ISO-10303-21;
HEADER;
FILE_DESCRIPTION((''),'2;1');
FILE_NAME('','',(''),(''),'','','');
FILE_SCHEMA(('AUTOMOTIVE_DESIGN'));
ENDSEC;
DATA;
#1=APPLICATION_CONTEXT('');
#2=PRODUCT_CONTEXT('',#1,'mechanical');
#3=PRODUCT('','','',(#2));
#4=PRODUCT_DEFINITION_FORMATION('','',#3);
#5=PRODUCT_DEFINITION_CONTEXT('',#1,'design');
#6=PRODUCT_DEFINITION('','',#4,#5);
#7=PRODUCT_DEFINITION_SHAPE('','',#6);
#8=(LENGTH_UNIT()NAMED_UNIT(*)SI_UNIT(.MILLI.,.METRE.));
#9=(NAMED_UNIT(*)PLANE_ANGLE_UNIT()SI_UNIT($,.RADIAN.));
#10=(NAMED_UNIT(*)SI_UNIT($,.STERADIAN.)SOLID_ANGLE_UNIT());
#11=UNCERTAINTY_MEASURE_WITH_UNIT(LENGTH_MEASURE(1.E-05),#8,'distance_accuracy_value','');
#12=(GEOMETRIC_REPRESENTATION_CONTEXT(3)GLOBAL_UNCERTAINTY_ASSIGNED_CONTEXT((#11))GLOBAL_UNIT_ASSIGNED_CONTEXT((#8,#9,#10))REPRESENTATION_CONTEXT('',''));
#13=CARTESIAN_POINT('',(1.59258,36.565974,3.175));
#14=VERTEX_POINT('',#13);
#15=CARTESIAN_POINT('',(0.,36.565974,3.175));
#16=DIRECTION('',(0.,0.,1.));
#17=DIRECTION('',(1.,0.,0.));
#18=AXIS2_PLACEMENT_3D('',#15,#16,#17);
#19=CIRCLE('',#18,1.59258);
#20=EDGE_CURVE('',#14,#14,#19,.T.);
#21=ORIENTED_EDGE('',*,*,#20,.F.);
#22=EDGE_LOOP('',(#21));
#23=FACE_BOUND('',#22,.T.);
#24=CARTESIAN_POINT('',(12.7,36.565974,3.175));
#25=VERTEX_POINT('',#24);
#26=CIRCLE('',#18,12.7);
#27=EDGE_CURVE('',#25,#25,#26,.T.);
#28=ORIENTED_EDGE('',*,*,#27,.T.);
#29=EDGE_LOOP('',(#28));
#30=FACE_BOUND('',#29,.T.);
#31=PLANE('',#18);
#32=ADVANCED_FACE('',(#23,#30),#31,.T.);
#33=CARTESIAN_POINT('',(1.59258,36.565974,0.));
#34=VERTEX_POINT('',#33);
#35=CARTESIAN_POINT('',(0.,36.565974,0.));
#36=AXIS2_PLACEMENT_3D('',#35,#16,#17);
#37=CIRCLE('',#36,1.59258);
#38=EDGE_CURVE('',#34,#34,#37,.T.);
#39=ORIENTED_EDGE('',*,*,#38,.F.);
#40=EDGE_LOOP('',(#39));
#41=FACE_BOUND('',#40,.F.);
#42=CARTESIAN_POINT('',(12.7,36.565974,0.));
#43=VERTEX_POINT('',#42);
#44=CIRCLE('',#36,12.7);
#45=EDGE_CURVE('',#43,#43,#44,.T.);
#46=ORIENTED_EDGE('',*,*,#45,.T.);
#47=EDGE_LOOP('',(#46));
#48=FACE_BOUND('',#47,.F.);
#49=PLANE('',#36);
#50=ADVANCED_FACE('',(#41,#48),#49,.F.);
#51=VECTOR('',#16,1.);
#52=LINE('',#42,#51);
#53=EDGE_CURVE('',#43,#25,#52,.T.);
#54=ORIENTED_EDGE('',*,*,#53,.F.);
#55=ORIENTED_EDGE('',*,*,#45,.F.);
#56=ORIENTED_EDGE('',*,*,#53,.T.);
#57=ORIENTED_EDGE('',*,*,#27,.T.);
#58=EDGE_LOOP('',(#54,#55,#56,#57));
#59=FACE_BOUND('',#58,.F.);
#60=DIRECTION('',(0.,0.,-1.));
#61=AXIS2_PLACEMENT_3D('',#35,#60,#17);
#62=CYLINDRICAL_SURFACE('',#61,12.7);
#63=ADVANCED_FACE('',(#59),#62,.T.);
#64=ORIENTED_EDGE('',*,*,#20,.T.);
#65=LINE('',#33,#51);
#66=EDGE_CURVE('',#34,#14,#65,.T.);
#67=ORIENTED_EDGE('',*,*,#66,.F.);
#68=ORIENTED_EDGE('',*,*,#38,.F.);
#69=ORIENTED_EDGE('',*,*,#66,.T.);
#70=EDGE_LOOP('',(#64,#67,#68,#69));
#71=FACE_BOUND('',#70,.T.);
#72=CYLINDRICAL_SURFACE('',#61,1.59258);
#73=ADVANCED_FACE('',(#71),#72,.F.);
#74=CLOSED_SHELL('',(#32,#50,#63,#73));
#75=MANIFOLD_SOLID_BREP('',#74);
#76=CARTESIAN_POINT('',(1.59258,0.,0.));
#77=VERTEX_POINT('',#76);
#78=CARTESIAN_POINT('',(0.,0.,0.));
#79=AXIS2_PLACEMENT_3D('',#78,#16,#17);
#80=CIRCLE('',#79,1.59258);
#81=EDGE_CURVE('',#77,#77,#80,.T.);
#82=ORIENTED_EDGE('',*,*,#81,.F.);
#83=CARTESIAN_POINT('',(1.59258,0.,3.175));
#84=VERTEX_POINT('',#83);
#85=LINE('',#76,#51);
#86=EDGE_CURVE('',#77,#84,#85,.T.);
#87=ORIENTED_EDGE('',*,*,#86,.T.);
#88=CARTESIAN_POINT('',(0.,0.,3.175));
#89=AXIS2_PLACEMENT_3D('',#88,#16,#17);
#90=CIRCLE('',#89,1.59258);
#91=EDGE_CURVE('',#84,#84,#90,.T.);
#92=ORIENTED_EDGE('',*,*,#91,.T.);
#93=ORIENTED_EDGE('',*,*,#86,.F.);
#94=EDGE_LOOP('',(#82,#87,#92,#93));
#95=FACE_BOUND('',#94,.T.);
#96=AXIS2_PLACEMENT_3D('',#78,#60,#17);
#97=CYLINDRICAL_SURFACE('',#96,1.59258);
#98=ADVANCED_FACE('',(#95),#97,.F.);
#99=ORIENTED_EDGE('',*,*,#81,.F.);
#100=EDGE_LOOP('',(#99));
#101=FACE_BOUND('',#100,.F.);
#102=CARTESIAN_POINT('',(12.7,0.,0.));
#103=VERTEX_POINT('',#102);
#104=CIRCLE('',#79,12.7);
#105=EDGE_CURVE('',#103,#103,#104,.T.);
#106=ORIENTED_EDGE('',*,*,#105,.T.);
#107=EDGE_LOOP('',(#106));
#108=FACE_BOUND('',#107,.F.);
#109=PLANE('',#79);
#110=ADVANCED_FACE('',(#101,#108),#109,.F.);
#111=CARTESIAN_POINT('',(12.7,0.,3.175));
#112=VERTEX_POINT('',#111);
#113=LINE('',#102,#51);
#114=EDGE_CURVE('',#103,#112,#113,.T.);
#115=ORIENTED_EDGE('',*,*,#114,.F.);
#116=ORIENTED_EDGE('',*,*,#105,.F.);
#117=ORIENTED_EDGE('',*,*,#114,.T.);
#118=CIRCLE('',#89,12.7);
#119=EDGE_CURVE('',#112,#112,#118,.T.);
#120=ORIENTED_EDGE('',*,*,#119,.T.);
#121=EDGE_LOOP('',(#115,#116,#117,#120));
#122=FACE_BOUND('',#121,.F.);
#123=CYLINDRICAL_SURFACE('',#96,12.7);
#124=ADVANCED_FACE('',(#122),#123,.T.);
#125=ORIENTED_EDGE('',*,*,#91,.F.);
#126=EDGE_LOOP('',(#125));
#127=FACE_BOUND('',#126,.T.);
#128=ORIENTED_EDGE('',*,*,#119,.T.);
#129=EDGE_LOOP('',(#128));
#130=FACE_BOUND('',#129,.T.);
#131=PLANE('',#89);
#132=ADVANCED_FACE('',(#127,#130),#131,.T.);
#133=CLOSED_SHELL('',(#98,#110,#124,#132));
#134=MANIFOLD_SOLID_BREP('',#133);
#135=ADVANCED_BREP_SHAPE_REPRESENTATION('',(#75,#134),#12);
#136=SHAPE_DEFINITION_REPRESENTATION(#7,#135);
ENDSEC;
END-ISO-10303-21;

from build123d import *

# Parameters (mm, degrees)
F0_R     = 12.7
F0_R_2   = 1.59258
F1_DEPTH = 3.175


with BuildPart() as f1:
    # F0 (on Top) → F1 (new body)
    with BuildSketch(Plane.XY):
        with Locations((0, 36.565974)):
            Circle(F0_R)
        with Locations((0, 36.565974)):
            Circle(F0_R_2, mode=Mode.SUBTRACT)
        Circle(F0_R)
        Circle(F0_R_2, mode=Mode.SUBTRACT)
    extrude(amount=F1_DEPTH)


solid = f1.part
